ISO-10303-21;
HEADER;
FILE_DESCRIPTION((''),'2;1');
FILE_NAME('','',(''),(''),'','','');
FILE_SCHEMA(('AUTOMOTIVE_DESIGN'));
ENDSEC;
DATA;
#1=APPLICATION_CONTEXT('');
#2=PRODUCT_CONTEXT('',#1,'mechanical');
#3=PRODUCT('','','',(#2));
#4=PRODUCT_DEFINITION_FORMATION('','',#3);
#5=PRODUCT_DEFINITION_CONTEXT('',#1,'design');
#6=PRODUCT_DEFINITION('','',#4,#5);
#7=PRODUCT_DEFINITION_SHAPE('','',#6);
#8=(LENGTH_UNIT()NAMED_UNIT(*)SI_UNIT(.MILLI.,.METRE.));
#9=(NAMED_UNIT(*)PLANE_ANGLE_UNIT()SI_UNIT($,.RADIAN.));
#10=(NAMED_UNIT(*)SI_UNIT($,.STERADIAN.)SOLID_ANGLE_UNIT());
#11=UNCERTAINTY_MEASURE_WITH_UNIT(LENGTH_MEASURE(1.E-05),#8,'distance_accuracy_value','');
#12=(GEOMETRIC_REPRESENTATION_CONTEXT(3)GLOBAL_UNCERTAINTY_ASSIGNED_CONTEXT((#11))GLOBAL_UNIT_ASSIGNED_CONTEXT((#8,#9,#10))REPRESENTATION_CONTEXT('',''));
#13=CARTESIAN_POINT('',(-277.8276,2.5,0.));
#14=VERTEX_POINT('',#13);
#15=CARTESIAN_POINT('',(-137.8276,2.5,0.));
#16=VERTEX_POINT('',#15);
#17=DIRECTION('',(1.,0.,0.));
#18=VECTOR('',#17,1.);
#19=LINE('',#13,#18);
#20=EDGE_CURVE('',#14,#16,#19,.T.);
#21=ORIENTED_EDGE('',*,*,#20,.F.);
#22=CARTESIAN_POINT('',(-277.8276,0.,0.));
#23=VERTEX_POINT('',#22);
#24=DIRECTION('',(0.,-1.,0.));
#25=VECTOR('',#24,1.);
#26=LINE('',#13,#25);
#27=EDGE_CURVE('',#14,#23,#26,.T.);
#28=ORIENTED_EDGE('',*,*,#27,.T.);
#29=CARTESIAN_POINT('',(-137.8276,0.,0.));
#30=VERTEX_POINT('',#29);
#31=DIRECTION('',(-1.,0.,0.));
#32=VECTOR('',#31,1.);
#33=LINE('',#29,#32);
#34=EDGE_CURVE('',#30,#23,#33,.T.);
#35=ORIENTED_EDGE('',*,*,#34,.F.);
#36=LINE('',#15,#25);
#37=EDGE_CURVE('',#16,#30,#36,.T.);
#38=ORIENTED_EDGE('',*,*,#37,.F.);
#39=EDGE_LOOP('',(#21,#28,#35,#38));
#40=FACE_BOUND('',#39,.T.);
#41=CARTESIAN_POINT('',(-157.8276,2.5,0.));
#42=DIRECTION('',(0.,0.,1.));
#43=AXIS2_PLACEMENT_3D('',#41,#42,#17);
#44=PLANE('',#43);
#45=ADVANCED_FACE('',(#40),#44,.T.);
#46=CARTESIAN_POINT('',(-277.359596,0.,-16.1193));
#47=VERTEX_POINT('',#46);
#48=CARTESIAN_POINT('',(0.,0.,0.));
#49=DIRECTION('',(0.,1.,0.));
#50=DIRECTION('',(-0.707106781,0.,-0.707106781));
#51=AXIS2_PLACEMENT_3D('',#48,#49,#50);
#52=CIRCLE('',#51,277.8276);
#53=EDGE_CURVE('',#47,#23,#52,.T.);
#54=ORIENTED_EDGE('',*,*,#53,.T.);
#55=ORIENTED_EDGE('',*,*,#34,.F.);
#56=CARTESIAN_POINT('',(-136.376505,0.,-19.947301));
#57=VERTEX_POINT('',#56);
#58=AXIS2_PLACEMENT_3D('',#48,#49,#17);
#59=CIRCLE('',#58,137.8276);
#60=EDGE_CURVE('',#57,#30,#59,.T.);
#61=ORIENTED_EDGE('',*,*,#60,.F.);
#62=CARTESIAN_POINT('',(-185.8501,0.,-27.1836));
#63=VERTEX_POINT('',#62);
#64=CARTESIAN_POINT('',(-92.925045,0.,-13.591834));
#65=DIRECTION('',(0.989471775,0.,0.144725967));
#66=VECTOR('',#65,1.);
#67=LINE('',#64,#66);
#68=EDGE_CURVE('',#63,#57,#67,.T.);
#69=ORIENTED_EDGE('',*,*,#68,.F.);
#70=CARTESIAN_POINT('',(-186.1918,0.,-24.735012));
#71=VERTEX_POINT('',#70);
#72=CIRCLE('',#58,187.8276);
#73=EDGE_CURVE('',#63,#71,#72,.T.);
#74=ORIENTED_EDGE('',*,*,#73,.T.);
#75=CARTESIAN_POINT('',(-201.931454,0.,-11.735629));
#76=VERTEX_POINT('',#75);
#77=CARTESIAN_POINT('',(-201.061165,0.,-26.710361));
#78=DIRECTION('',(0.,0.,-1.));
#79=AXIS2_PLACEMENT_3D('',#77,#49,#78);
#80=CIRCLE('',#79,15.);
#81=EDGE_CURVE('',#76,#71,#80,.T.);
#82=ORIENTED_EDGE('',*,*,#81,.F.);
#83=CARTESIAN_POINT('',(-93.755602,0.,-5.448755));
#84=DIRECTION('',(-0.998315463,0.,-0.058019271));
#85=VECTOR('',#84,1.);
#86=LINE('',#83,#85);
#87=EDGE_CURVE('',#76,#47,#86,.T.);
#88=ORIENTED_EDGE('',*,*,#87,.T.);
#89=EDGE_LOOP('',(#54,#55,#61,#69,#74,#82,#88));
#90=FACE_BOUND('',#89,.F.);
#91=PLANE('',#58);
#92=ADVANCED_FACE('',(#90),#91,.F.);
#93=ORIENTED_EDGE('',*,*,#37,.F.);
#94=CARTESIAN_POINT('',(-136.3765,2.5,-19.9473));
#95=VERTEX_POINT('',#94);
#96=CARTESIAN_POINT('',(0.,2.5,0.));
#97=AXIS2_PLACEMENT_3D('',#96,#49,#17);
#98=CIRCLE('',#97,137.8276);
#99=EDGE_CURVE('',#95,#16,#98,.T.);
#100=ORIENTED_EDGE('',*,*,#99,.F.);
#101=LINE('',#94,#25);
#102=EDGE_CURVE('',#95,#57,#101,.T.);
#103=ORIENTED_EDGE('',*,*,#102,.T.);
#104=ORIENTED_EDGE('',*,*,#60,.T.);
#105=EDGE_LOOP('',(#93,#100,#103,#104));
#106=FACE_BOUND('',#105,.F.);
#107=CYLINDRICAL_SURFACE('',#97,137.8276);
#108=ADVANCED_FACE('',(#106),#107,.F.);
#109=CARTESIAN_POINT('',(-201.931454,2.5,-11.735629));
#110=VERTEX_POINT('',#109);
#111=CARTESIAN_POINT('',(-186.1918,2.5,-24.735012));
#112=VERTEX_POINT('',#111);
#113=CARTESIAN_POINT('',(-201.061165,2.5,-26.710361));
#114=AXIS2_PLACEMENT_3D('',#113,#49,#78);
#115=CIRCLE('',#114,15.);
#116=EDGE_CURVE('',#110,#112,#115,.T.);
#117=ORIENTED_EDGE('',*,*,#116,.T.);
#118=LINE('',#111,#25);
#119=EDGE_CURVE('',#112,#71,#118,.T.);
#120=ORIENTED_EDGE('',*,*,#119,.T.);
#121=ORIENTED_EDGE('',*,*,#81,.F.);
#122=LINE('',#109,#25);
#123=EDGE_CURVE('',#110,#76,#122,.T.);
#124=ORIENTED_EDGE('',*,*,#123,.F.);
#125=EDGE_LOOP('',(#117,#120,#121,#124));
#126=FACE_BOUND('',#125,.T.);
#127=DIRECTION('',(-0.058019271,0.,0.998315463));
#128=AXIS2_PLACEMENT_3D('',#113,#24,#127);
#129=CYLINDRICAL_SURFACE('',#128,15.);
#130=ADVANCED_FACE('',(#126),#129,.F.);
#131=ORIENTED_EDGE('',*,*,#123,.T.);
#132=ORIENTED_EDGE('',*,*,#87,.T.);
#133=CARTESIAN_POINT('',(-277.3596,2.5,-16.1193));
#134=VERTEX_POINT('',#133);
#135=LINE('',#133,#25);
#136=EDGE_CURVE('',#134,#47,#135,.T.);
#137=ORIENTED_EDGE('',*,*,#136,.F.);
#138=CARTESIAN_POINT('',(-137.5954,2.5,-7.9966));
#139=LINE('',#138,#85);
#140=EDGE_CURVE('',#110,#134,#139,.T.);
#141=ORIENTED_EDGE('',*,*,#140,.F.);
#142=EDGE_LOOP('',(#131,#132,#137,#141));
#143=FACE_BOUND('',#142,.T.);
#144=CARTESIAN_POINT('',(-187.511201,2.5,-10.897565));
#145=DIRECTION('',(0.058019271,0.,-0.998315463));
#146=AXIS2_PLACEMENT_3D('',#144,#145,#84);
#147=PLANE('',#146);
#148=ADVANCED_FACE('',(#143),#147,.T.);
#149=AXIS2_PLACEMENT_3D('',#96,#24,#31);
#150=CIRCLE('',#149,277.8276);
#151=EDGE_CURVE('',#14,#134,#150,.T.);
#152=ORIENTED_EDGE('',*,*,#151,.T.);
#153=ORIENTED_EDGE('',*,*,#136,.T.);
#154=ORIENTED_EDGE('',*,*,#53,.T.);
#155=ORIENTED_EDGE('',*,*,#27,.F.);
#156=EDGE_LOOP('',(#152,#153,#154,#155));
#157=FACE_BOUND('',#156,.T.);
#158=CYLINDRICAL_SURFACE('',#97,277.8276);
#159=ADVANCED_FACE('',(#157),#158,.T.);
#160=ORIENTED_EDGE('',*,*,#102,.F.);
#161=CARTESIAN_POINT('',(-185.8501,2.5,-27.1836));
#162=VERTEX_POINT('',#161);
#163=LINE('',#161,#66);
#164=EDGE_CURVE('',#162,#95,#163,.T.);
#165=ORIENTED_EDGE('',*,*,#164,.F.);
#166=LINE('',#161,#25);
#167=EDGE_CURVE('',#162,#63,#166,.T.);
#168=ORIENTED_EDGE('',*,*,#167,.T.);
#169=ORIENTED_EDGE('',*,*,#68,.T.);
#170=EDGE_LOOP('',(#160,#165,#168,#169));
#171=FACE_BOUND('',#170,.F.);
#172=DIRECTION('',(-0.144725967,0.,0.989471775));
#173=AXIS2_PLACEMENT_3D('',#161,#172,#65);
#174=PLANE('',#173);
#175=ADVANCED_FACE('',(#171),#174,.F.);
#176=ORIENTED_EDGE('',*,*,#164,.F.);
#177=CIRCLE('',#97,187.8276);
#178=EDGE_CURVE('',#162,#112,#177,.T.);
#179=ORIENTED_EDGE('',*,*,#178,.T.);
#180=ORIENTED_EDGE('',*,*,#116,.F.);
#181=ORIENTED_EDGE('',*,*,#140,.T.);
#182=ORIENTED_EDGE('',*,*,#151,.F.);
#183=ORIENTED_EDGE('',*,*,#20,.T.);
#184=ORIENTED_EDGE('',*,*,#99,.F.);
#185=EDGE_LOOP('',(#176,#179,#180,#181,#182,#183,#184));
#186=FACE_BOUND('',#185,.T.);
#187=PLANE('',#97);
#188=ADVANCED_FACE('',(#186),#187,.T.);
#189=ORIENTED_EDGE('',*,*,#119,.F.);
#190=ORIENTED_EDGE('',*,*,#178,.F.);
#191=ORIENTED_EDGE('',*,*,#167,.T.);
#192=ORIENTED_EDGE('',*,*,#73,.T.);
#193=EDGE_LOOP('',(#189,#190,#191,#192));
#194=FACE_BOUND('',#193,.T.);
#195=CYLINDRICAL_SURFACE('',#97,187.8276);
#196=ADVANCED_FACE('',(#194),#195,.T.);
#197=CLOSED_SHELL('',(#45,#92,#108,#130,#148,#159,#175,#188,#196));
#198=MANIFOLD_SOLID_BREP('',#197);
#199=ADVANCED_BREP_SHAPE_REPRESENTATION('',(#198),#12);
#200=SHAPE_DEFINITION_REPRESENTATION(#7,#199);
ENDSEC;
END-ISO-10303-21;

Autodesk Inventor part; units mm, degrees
ref_plane "YZ Plane" through (0, 0, 0) normal (1, 0, 0) x (0, 1, 0)
ref_plane "XZ Plane" through (0, 0, 0) normal (0, 1, 0) x (-1, 0, 0)
ref_plane "XY Plane" through (0, 0, 0) normal (0, 0, 1) x (1, 0, 0)
sketch "スケッチ1" plane through (0, 0, 0) normal (0, 1, 0) x (-1, 0, 0)
  circle A0 centre (0, 0) radius 178.1675
  circle A1 centre (0, 0) radius 157.8276
  line L0 (168.1877, 0) -> (166.7488, -21.9529)
  line L1 (168.1877, 0) -> (130.1721, 2.4917) construction
  line L2 (249.4344, 0) -> (-249.4344, 0) projected
  line L3 (166.7488, -21.9529) -> (156.7702, -21.2989)
  line L4 (156.7702, -21.2989) -> (158.2091, 0.654) construction
  line L5 (158.2091, 0.654) -> (168.1877, 0)
  line L6 (157.4896, -10.3224) -> (0, 0)
  line L7 (166.7488, -21.9529) -> (162.4568, -43.5302)
  line L8 (162.4568, -43.5302) -> (152.649, -41.5793) construction
  line L9 (152.649, -41.5793) -> (156.9409, -20.002) construction
  line L10 (156.9409, -20.002) -> (166.7488, -21.9529) construction
  line L11 (162.4568, -43.5302) -> (155.3851, -64.3626)
  line L12 (155.3851, -64.3626) -> (145.9158, -61.1482) construction
  line L13 (145.9158, -61.1482) -> (152.9875, -40.3158) construction
  line L14 (152.9875, -40.3158) -> (162.4568, -43.5302) construction
  line L15 (155.3851, -64.3626) -> (145.6548, -84.0938)
  line L16 (145.6548, -84.0938) -> (136.6861, -79.6709) construction
  line L17 (136.6861, -79.6709) -> (146.4164, -59.9397) construction
  line L18 (146.4164, -59.9397) -> (155.3851, -64.3626) construction
  line L19 (0, 0) -> (111.6009, -111.6009)
  line L20 (145.6548, -84.0938) -> (137.3401, -78.5381) construction
  line L21 (137.3401, -78.5381) -> (125.1176, -96.8305) construction
  line L22 (125.1176, -96.8305) -> (133.4323, -102.3862) construction
  line L23 (133.4323, -102.3862) -> (145.6548, -84.0938)
  line L24 (133.4323, -102.3862) -> (125.9139, -95.7927) construction
  line L25 (125.9139, -95.7927) -> (111.4082, -112.3332) construction
  line L26 (111.4082, -112.3332) -> (118.9266, -118.9266)
  line L27 (118.9266, -118.9266) -> (133.4323, -102.3862)
  line L28 (111.6009, -111.6009) -> (118.9266, -118.9266)
  line L29 (166.7488, -21.9529) -> (176.7274, -22.6069) construction
  line L30 (118.9266, -118.9266) -> (125.9834, -125.9834)
  point P0 (154.795, -30.7906)
  point P1 (149.4517, -50.732)
  point P2 (141.5512, -69.8053)
  point P3 (131.2288, -87.6843)
  point P4 (118.661, -104.0629)
  point P5 (157.8276, 0)
  point P6 (178.1675, 0)
  dimension "d0" = 22
  dimension "d1" = 10
  dimension "d2" = 45
  dimension "d4" = 315.6551
extrude "押し出し1" add sketch "スケッチ1" along normal blind 2.5 contours L30 L27 L23 L15 L11 L7 L0 L2 A0 | L28 A1 L2 L0 L7 L11 L15 L23 L27
sketch "スケッチ2" plane through (0, 2.5, 0) normal (0, 1, 0) x (1, 0, 0)
  circle A0 centre (0, 0) radius 277.8276
  line L0 (-168.1877, 0) -> (-166.7488, 21.9529) projected
  line L1 (-166.7488, 21.9529) -> (-162.4568, 43.5302) projected
  line L2 (-162.4568, 43.5302) -> (-155.3851, 64.3626) projected
  line L3 (-155.3851, 64.3626) -> (-145.6548, 84.0938) projected
  line L4 (-133.4323, 102.3862) -> (-145.6548, 84.0938) projected
  line L5 (-118.9266, 118.9266) -> (-133.4323, 102.3862) projected
  line L6 (-167.4682, 10.9764) -> (-166.0294, 32.9293)
  line L7 (-166.0294, 32.9293) -> (-275.7938, 40.1237)
  line L8 (-275.7938, 40.1237) -> (-277.2327, 18.1708)
  line L9 (-277.2327, 18.1708) -> (-167.4682, 10.9764)
  line L10 (-164.6028, 32.7415) -> (-160.3108, 54.3188)
  line L11 (-160.3108, 54.3188) -> (-268.1972, 75.7787)
  line L12 (-268.1972, 75.7787) -> (-272.4892, 54.2015)
  line L13 (-272.4892, 54.2015) -> (-164.6028, 32.7415)
  circle A1 centre (-166.7488, 21.9529) radius 11
  circle A2 centre (-162.4568, 43.5302) radius 11
  line L14 (-158.921, 53.9464) -> (-151.8493, 74.7789)
  line L15 (-151.8493, 74.7789) -> (-256.0116, 110.1372)
  line L16 (-256.0116, 110.1372) -> (-263.0833, 89.3047)
  line L17 (-263.0833, 89.3047) -> (-158.921, 53.9464)
  circle A3 centre (-155.3851, 64.3626) radius 11
  arc A4 (-275.7591, 62.4834) -> (-281.3553, 41.7349) centre (-166.7488, 21.9529) ccw
  line L18 (-178.1663, 0.654) -> (-158.2091, -0.654)
  line L19 (-158.2091, -0.654) -> (-156.7702, 21.2989)
  line L20 (-156.7702, 21.2989) -> (-176.7274, 22.6069)
  line L21 (-176.7274, 22.6069) -> (-178.1663, 0.654)
  line L22 (-177.4468, 11.6305) -> (-275.7938, 40.1237)
  line L23 (-176.7274, 22.6069) -> (-176.008, 33.5834)
  line L24 (-176.008, 33.5834) -> (-275.7591, 62.4834)
  line L25 (-275.7938, 40.1237) -> (-281.3553, 41.7349)
  circle A5 centre (0, 0) radius 137.8276
  line L26 (0, 0) -> (-196.4538, 196.4538)
  line L27 (-111.6009, 111.6009) -> (-125.9834, 125.9834) projected
  line L28 (-411.1762, 0) -> (411.1762, 0) projected
  circle A6 centre (0, 0) radius 257.8276 construction
  arc A7 (-111.6009, 111.6009) -> (-157.8276, 0) centre (0, 0) ccw projected
  point P0 (-158.1662, 0)
  point P1 (-137.8276, 0)
  point P2 (-97.4588, 97.4588)
  point P3 (-277.8276, 0)
  dimension "d7" = 22
  dimension "d10" = 20
  dimension "d11" = 100
  dimension "d12" = 20
  dimension "d14" = 20
  dimension "d17" = 100
extrude "押し出し2" add sketch "スケッチ2" against normal blind 2.5 contours L26 L5 L4 L3 A3 L15 A0 | A0 L9 L21 L18 L28 | L15 A3 L17 A0 | A0 L22 L9 | L18 L21 L9 L0 | L0 A1 L19 L28 | A5 L28 A7 A1 A2 A3 L26 | L17 A2 L11 A0 | A3 L3 L14 | L14 L2 A3 | L26 A7 A3 L3 L4 L5 | A0 L7 L23 A1 L21 L22 | L21 A1 L9 | A1 L21 L20 L0 | L0 L20 L19 A1 | L19 A7 L28 | L11 A2 L13 L24 A0 | A2 A7 L1 L2 | L2 L10 A2 | A3 A7 A2 | L2 L3 A3 A7 | A0 L13 L24 L7 | A1 L23 L21 | L6 A1 L1 | L20 L23 A1 L6 | L1 A1 A7 L19 L20 | A1 A7 L19 | A3 A7 | L24 L13 A0 | L10 L1 A2 | A2 A7 | L24 L13 A1 L7 | L7 A1 L23 | A2 A7 A1 | A7 A1
sketch "スケッチ4" plane through (0, 2.5, 0) normal (0, 1, 0) x (1, 0, 0)
  circle A0 centre (0, 0) radius 187.8276
  arc A1 (-97.4588, 97.4588) -> (-137.8276, 0) centre (0, 0) ccw projected
  line L0 (-137.5954, 7.9966) -> (-277.3596, 16.1193)
  line L1 (-137.5954, 7.9966) -> (-137.8276, 0)
  arc A2 (-196.4538, 196.4538) -> (-277.8276, 0) centre (0, 0) ccw projected
  line L2 (-137.8276, 0) -> (-128.5432, -0.2696)
  line L3 (-185.8501, 27.1836) -> (-136.3765, 19.9473)
  line L4 (-136.3765, 19.9473) -> (-137.8276, 0)
  line L5 (-120.1573, -1.2854) -> (-137.8276, 0)
  line L6 (-97.4588, 97.4588) -> (-196.4538, 196.4538) projected
  point P0 (-187.5112, 10.8976)
  dimension "d23" = 50
  dimension "d24" = 8
  dimension "d25" = 20
extrude "押し出し4" cut sketch "スケッチ4" against normal through all contours L6 A1 L3 A0 | A0 L0 A2 L6
fillet "フィレット2" radius 15 1 edges at (-187.5112, 1.25, -10.8976)
properties material "木材 (カエデ材)"
